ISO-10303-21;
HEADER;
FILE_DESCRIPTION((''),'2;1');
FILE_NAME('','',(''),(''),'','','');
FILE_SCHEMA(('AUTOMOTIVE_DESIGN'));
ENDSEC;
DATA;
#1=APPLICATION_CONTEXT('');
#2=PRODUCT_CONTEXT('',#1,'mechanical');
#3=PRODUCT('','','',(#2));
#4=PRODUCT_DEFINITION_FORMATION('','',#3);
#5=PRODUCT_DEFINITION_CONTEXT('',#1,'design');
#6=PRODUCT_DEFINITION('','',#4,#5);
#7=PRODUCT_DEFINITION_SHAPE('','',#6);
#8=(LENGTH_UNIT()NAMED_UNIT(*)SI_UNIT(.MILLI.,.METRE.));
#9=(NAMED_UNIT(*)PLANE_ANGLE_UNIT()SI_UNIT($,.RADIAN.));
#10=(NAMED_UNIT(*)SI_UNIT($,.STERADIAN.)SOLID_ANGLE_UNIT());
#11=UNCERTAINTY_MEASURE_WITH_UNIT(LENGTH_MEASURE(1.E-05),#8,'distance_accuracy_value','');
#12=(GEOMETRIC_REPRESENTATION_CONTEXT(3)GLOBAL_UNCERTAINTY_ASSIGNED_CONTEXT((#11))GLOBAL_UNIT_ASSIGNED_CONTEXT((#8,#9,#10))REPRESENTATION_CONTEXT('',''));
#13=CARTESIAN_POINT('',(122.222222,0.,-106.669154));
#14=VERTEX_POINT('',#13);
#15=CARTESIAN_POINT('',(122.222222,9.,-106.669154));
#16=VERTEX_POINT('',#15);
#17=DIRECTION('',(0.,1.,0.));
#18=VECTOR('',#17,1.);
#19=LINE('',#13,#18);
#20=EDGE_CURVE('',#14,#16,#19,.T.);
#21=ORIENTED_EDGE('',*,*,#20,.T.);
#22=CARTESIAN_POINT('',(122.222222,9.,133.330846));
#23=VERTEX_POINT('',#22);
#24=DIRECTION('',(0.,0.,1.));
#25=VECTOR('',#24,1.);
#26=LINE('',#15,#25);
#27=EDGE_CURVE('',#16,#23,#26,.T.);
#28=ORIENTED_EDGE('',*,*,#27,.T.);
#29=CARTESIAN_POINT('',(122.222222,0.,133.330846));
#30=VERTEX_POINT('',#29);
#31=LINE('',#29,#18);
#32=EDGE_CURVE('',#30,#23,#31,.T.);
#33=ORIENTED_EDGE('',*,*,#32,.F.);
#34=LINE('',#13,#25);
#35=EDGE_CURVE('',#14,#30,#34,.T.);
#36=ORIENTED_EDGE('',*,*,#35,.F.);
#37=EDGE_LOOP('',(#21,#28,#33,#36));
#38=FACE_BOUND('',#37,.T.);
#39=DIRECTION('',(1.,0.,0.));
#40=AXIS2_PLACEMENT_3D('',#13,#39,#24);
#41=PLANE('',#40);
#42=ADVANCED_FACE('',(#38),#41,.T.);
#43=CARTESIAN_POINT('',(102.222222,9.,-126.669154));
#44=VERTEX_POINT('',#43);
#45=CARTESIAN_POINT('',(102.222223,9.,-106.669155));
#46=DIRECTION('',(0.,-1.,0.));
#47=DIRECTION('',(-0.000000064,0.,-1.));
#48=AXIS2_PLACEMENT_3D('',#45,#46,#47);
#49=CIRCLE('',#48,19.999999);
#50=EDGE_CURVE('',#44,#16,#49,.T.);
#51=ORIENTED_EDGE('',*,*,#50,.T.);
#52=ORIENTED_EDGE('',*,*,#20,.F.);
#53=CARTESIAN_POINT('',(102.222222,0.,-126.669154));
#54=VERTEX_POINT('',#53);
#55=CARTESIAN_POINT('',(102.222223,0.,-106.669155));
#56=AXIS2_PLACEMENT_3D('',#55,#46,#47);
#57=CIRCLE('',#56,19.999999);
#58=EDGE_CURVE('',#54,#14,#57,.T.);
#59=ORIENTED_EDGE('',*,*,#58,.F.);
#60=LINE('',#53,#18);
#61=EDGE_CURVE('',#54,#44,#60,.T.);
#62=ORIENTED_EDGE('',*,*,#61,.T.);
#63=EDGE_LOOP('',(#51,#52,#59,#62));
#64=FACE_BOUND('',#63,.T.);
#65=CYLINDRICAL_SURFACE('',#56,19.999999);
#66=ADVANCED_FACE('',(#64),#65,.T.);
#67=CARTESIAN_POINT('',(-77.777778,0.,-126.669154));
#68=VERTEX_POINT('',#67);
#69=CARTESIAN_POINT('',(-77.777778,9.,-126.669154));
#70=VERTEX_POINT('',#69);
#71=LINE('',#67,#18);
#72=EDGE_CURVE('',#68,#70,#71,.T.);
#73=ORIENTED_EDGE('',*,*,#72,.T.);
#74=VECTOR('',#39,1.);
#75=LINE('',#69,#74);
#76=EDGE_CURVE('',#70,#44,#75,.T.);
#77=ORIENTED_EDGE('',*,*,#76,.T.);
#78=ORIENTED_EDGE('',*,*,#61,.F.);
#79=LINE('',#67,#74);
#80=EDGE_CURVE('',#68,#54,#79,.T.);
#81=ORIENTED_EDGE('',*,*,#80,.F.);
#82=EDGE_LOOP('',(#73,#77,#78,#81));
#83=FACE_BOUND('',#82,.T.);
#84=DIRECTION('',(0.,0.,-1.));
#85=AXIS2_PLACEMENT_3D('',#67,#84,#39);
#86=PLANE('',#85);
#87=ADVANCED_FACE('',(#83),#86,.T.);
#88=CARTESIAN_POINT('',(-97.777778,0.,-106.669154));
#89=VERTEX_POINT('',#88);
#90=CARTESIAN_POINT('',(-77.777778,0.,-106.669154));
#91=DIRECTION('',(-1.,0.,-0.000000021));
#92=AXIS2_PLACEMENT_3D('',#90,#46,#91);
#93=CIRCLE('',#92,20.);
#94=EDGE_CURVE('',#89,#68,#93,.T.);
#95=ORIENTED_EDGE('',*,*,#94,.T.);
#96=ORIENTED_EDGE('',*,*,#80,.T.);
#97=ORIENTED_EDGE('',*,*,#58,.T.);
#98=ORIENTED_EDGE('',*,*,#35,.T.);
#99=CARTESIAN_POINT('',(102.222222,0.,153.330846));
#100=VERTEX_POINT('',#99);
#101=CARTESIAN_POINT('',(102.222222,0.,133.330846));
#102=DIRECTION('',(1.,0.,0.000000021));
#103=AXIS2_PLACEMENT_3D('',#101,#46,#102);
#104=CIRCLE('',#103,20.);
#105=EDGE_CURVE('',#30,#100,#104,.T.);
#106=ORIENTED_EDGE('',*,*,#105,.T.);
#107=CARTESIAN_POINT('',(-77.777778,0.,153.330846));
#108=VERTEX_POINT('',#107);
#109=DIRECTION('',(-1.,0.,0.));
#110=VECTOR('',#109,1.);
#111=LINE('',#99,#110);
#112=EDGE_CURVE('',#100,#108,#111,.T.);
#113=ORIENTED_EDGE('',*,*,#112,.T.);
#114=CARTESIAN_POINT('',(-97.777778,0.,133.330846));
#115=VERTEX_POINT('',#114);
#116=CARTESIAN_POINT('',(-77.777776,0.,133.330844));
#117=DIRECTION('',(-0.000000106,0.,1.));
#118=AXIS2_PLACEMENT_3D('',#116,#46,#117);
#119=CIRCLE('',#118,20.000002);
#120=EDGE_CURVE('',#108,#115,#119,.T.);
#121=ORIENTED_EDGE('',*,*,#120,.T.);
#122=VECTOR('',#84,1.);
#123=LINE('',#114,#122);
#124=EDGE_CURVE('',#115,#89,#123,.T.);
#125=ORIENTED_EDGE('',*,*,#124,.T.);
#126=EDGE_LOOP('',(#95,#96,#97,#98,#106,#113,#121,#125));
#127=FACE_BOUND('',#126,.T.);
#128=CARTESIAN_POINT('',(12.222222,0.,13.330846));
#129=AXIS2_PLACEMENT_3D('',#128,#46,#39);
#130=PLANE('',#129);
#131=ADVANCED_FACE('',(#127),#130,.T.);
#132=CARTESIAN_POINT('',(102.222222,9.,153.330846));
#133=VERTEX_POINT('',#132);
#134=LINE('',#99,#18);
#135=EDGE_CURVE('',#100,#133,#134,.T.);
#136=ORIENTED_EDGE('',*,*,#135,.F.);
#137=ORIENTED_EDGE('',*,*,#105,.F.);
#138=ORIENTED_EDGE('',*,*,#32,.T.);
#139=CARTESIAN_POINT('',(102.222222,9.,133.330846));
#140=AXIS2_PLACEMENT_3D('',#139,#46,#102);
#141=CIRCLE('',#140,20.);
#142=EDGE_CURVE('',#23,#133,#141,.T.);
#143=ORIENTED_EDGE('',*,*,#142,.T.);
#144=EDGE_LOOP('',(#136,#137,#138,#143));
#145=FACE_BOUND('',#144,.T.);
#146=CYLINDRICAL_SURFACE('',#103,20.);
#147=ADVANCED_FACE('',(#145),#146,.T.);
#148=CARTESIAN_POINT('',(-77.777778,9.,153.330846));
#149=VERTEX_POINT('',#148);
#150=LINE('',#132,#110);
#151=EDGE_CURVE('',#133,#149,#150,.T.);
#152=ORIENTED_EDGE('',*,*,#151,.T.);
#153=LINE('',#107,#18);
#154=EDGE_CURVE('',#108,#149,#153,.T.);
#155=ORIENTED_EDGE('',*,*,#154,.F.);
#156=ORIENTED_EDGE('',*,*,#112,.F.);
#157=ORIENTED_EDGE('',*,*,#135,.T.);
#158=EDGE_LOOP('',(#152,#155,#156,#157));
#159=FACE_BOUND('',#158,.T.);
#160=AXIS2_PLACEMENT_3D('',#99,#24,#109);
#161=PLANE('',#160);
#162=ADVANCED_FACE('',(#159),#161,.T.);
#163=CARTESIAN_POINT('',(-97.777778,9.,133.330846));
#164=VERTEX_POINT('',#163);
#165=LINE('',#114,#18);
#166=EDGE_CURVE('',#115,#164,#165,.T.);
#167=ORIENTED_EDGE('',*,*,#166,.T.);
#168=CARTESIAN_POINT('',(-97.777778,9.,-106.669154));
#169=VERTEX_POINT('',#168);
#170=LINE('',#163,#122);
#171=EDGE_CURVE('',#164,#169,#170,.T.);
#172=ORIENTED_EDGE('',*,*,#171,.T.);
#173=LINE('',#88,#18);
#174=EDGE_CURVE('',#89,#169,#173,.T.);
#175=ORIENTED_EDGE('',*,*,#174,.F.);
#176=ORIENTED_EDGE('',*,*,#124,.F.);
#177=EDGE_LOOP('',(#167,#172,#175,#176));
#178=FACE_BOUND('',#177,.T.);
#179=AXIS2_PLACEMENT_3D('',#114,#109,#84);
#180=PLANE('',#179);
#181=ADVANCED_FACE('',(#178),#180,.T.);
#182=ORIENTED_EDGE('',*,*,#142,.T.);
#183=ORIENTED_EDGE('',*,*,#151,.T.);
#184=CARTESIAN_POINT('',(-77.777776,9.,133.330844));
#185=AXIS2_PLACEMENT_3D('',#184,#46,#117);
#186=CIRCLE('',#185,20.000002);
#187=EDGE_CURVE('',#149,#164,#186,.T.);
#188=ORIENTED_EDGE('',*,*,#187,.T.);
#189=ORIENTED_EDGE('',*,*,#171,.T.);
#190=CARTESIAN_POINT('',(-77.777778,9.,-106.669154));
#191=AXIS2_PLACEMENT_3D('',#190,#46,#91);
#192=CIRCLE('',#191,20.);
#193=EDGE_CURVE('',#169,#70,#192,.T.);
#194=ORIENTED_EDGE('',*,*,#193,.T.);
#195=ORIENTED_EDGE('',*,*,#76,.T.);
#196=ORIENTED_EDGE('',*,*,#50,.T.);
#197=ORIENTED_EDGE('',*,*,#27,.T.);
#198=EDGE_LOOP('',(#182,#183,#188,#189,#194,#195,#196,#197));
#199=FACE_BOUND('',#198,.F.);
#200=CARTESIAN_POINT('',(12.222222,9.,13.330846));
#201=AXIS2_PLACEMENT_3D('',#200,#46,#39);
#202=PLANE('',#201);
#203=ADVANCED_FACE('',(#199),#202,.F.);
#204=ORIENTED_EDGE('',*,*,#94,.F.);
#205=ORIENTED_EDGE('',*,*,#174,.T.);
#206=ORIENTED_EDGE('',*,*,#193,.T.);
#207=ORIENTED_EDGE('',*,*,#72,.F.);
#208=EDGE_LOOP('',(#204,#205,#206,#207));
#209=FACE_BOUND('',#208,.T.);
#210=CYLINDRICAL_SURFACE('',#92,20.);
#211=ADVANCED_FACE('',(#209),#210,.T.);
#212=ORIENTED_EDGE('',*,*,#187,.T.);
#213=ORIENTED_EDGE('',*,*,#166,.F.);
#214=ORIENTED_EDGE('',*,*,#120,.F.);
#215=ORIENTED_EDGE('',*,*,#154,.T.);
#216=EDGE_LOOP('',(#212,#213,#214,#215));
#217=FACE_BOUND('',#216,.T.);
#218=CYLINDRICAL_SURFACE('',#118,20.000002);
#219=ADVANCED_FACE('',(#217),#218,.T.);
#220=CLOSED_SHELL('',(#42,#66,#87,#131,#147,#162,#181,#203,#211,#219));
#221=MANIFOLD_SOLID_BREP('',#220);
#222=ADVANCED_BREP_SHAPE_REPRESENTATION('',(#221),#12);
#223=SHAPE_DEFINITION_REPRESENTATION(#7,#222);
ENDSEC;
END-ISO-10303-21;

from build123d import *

# Parameters (mm, degrees)
F1_DEPTH = 9


with BuildPart() as f1:
    # F0 (on Front) → F1 (new body)
    with BuildSketch(Plane.XZ):
        with BuildLine():
            ThreePointArc((122.222222, 133.330846), (116.364358, 147.472981), (102.222222, 153.330846))
            Line((102.222222, 153.330846), (-77.777778, 153.330846))
            ThreePointArc((-77.777778, 153.330846), (-91.919913, 147.472981), (-97.777778, 133.330846))
            Line((-97.777778, 133.330846), (-97.777778, -106.646764))
            Line((-97.777778, -106.646764), (-97.777778, -106.669154))
            ThreePointArc((-97.777778, -106.669154), (-91.919913, -120.81129), (-77.777778, -126.669154))
            Line((-77.777778, -126.669154), (102.222222, -126.669154))
            ThreePointArc((102.222222, -126.669154), (116.364358, -120.81129), (122.222222, -106.669154))
            Line((122.222222, -106.669154), (122.222222, 133.330846))
        make_face()
    extrude(amount=-F1_DEPTH)


solid = f1.part
